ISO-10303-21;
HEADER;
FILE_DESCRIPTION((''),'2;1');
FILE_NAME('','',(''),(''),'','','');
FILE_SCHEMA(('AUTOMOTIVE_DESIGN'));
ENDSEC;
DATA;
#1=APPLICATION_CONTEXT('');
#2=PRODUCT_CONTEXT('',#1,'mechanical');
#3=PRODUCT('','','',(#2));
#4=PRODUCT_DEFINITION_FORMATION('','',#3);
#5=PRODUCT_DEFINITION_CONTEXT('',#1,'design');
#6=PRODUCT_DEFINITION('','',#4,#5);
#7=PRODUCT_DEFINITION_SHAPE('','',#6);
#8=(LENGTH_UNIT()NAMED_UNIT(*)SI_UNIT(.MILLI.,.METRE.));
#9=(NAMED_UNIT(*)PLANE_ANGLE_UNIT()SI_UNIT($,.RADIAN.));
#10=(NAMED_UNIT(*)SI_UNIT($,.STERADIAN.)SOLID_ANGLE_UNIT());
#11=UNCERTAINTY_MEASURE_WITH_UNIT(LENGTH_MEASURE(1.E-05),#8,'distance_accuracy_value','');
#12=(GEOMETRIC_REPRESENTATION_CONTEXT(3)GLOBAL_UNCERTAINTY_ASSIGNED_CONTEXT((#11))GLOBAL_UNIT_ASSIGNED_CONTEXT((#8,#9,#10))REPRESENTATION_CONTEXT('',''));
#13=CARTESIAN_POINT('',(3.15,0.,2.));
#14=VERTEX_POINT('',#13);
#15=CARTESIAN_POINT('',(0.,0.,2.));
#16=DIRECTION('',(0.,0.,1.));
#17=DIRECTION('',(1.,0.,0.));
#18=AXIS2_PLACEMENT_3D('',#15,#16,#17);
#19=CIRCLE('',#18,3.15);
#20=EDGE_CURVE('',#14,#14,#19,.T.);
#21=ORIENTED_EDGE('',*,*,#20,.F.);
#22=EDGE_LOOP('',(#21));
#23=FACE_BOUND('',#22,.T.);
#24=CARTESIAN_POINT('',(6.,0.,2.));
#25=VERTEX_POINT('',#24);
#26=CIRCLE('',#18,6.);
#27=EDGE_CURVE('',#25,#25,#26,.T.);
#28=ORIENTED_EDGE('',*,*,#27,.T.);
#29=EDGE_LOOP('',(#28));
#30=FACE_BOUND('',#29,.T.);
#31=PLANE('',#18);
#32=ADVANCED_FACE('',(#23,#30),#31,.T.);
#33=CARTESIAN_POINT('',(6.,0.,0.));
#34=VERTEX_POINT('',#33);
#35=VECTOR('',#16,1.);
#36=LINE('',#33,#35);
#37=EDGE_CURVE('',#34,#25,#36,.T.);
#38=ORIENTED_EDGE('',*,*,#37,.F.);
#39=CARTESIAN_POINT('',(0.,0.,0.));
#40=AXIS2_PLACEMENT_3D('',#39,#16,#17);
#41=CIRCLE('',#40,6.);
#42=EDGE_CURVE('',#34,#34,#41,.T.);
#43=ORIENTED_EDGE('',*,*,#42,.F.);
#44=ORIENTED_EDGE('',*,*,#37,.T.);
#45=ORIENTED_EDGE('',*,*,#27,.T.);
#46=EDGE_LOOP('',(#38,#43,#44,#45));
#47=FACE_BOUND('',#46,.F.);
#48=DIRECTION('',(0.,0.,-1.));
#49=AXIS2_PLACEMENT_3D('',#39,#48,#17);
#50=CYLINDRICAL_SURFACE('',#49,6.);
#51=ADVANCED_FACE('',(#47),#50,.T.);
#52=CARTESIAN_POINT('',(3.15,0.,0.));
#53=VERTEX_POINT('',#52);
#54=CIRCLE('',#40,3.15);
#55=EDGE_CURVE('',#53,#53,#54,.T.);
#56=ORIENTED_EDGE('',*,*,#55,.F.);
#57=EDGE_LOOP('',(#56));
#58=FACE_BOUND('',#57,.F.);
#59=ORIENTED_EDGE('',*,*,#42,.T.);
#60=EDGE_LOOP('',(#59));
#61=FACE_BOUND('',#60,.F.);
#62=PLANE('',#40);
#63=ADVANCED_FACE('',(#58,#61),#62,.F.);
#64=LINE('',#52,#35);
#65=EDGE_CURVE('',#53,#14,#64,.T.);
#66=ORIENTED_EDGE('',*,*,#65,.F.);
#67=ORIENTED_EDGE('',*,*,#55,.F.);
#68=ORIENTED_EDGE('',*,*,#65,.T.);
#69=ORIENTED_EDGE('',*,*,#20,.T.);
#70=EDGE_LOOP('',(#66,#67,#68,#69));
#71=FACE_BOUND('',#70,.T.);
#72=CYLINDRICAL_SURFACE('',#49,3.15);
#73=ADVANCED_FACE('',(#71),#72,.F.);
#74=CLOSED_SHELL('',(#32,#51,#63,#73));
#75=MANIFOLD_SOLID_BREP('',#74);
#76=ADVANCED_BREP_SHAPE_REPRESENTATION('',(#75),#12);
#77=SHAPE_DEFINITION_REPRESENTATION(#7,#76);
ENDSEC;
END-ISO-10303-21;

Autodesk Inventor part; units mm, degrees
ref_plane "YZ Plane" through (0, 0, 0) normal (1, 0, 0) x (0, 1, 0)
ref_plane "XZ Plane" through (0, 0, 0) normal (0, 1, 0) x (-1, 0, 0)
ref_plane "XY Plane" through (0, 0, 0) normal (0, 0, 1) x (1, 0, 0)
sketch "スケッチ1" plane through (0, 0, 0) normal (0, 0, 1) x (1, 0, 0)
  circle A0 centre (0, 0) radius 3.15
  circle A1 centre (0, 0) radius 6
  dimension "d0" = 6.3
  dimension "d1" = 12
extrude "押し出し1" add sketch "スケッチ1" along normal blind 2
properties part number "CC-0612-20B" material "アセタール樹脂、黒"
